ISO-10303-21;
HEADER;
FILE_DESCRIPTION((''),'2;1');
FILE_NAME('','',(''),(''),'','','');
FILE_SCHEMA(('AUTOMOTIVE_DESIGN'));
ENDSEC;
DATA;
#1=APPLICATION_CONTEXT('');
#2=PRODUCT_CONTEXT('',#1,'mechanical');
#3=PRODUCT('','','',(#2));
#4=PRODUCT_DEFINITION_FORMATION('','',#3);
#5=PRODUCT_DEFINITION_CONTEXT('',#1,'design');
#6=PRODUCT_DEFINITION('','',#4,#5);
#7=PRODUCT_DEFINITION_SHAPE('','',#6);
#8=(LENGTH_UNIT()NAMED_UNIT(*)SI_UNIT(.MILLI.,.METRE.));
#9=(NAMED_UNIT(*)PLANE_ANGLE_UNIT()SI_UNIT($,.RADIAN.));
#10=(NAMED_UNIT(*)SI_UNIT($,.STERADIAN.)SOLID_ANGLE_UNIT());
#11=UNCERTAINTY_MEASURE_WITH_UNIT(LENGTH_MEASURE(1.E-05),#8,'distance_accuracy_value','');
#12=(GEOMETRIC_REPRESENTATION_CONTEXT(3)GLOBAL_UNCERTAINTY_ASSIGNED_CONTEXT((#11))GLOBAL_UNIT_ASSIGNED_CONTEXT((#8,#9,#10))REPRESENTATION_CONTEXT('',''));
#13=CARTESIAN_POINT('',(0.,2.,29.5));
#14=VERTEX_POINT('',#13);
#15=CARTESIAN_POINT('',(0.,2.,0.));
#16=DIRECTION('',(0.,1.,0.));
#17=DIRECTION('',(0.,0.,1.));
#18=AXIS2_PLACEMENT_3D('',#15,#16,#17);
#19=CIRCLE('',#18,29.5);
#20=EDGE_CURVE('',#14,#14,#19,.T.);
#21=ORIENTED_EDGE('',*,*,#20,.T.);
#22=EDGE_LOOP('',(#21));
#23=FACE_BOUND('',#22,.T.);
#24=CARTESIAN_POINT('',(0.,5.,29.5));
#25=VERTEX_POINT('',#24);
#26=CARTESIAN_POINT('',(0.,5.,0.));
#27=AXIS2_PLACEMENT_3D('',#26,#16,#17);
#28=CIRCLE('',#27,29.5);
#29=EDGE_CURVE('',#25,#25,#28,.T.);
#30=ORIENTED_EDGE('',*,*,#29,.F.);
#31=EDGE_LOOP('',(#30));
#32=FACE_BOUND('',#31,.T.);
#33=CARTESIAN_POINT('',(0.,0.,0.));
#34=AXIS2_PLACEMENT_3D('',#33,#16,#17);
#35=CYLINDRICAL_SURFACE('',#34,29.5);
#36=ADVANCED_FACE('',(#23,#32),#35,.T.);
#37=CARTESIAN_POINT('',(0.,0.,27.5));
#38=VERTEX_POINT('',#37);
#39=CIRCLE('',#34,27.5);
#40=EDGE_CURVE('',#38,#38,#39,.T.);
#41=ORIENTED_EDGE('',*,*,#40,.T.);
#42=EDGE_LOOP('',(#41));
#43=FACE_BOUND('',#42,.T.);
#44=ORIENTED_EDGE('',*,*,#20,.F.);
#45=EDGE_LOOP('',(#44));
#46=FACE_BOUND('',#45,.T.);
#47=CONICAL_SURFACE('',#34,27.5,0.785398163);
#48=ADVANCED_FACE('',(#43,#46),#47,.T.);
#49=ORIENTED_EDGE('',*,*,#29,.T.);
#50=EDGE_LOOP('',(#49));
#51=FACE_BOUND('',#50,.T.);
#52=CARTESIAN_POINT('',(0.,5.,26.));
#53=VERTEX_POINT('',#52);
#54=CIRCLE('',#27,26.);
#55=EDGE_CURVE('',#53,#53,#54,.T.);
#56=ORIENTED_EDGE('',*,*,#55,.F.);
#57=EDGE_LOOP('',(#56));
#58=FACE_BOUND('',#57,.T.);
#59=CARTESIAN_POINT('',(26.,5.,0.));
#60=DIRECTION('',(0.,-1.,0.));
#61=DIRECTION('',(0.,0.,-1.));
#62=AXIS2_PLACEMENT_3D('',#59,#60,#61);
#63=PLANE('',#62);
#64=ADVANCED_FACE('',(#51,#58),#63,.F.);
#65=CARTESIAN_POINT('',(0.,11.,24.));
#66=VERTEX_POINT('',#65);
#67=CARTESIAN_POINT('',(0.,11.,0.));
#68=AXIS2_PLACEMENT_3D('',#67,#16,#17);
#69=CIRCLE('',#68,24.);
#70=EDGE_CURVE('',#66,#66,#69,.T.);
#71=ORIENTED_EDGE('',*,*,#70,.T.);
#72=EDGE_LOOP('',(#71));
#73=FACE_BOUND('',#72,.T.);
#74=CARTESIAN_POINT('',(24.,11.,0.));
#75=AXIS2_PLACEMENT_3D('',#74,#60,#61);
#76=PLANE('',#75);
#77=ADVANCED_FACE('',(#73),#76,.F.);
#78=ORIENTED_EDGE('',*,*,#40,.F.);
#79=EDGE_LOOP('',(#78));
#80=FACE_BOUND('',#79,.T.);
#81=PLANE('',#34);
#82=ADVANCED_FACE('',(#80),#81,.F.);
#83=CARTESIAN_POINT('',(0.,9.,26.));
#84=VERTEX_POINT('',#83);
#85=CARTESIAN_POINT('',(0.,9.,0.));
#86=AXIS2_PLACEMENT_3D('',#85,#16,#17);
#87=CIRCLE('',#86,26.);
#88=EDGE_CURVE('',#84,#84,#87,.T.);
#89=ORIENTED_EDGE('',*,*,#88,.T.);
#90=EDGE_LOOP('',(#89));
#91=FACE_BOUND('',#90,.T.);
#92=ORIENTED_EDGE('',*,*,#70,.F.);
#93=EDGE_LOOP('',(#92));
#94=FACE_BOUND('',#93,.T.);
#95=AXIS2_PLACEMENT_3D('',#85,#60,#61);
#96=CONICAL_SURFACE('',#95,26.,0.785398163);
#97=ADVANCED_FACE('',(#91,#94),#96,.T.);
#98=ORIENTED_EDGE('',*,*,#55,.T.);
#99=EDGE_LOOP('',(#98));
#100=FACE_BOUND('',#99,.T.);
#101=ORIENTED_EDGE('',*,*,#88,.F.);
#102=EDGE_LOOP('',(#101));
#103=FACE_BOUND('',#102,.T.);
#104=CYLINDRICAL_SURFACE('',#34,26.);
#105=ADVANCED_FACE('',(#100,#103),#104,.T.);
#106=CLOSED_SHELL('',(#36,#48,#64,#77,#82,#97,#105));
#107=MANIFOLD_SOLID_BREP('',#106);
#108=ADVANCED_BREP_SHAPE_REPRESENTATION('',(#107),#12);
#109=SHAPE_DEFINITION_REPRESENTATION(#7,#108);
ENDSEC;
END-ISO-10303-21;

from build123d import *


with BuildPart() as part:
    # Sketch2 → Revolve1 (revolve)
    with BuildSketch(Plane.XY, mode=Mode.PRIVATE) as revolve1_sk:
        Polygon((0, 0), (27.5, 0), (29.5, 2), (29.5, 5), (26, 5), (26, 9), (24, 11), (0, 11), align=None)
    revolve(revolve1_sk.sketch.rotate(Axis((0, 0, 0), (0, -1, 0)), 90), axis=Axis((0, 0, 0), (0, -1, 0)))


solid = part.part
